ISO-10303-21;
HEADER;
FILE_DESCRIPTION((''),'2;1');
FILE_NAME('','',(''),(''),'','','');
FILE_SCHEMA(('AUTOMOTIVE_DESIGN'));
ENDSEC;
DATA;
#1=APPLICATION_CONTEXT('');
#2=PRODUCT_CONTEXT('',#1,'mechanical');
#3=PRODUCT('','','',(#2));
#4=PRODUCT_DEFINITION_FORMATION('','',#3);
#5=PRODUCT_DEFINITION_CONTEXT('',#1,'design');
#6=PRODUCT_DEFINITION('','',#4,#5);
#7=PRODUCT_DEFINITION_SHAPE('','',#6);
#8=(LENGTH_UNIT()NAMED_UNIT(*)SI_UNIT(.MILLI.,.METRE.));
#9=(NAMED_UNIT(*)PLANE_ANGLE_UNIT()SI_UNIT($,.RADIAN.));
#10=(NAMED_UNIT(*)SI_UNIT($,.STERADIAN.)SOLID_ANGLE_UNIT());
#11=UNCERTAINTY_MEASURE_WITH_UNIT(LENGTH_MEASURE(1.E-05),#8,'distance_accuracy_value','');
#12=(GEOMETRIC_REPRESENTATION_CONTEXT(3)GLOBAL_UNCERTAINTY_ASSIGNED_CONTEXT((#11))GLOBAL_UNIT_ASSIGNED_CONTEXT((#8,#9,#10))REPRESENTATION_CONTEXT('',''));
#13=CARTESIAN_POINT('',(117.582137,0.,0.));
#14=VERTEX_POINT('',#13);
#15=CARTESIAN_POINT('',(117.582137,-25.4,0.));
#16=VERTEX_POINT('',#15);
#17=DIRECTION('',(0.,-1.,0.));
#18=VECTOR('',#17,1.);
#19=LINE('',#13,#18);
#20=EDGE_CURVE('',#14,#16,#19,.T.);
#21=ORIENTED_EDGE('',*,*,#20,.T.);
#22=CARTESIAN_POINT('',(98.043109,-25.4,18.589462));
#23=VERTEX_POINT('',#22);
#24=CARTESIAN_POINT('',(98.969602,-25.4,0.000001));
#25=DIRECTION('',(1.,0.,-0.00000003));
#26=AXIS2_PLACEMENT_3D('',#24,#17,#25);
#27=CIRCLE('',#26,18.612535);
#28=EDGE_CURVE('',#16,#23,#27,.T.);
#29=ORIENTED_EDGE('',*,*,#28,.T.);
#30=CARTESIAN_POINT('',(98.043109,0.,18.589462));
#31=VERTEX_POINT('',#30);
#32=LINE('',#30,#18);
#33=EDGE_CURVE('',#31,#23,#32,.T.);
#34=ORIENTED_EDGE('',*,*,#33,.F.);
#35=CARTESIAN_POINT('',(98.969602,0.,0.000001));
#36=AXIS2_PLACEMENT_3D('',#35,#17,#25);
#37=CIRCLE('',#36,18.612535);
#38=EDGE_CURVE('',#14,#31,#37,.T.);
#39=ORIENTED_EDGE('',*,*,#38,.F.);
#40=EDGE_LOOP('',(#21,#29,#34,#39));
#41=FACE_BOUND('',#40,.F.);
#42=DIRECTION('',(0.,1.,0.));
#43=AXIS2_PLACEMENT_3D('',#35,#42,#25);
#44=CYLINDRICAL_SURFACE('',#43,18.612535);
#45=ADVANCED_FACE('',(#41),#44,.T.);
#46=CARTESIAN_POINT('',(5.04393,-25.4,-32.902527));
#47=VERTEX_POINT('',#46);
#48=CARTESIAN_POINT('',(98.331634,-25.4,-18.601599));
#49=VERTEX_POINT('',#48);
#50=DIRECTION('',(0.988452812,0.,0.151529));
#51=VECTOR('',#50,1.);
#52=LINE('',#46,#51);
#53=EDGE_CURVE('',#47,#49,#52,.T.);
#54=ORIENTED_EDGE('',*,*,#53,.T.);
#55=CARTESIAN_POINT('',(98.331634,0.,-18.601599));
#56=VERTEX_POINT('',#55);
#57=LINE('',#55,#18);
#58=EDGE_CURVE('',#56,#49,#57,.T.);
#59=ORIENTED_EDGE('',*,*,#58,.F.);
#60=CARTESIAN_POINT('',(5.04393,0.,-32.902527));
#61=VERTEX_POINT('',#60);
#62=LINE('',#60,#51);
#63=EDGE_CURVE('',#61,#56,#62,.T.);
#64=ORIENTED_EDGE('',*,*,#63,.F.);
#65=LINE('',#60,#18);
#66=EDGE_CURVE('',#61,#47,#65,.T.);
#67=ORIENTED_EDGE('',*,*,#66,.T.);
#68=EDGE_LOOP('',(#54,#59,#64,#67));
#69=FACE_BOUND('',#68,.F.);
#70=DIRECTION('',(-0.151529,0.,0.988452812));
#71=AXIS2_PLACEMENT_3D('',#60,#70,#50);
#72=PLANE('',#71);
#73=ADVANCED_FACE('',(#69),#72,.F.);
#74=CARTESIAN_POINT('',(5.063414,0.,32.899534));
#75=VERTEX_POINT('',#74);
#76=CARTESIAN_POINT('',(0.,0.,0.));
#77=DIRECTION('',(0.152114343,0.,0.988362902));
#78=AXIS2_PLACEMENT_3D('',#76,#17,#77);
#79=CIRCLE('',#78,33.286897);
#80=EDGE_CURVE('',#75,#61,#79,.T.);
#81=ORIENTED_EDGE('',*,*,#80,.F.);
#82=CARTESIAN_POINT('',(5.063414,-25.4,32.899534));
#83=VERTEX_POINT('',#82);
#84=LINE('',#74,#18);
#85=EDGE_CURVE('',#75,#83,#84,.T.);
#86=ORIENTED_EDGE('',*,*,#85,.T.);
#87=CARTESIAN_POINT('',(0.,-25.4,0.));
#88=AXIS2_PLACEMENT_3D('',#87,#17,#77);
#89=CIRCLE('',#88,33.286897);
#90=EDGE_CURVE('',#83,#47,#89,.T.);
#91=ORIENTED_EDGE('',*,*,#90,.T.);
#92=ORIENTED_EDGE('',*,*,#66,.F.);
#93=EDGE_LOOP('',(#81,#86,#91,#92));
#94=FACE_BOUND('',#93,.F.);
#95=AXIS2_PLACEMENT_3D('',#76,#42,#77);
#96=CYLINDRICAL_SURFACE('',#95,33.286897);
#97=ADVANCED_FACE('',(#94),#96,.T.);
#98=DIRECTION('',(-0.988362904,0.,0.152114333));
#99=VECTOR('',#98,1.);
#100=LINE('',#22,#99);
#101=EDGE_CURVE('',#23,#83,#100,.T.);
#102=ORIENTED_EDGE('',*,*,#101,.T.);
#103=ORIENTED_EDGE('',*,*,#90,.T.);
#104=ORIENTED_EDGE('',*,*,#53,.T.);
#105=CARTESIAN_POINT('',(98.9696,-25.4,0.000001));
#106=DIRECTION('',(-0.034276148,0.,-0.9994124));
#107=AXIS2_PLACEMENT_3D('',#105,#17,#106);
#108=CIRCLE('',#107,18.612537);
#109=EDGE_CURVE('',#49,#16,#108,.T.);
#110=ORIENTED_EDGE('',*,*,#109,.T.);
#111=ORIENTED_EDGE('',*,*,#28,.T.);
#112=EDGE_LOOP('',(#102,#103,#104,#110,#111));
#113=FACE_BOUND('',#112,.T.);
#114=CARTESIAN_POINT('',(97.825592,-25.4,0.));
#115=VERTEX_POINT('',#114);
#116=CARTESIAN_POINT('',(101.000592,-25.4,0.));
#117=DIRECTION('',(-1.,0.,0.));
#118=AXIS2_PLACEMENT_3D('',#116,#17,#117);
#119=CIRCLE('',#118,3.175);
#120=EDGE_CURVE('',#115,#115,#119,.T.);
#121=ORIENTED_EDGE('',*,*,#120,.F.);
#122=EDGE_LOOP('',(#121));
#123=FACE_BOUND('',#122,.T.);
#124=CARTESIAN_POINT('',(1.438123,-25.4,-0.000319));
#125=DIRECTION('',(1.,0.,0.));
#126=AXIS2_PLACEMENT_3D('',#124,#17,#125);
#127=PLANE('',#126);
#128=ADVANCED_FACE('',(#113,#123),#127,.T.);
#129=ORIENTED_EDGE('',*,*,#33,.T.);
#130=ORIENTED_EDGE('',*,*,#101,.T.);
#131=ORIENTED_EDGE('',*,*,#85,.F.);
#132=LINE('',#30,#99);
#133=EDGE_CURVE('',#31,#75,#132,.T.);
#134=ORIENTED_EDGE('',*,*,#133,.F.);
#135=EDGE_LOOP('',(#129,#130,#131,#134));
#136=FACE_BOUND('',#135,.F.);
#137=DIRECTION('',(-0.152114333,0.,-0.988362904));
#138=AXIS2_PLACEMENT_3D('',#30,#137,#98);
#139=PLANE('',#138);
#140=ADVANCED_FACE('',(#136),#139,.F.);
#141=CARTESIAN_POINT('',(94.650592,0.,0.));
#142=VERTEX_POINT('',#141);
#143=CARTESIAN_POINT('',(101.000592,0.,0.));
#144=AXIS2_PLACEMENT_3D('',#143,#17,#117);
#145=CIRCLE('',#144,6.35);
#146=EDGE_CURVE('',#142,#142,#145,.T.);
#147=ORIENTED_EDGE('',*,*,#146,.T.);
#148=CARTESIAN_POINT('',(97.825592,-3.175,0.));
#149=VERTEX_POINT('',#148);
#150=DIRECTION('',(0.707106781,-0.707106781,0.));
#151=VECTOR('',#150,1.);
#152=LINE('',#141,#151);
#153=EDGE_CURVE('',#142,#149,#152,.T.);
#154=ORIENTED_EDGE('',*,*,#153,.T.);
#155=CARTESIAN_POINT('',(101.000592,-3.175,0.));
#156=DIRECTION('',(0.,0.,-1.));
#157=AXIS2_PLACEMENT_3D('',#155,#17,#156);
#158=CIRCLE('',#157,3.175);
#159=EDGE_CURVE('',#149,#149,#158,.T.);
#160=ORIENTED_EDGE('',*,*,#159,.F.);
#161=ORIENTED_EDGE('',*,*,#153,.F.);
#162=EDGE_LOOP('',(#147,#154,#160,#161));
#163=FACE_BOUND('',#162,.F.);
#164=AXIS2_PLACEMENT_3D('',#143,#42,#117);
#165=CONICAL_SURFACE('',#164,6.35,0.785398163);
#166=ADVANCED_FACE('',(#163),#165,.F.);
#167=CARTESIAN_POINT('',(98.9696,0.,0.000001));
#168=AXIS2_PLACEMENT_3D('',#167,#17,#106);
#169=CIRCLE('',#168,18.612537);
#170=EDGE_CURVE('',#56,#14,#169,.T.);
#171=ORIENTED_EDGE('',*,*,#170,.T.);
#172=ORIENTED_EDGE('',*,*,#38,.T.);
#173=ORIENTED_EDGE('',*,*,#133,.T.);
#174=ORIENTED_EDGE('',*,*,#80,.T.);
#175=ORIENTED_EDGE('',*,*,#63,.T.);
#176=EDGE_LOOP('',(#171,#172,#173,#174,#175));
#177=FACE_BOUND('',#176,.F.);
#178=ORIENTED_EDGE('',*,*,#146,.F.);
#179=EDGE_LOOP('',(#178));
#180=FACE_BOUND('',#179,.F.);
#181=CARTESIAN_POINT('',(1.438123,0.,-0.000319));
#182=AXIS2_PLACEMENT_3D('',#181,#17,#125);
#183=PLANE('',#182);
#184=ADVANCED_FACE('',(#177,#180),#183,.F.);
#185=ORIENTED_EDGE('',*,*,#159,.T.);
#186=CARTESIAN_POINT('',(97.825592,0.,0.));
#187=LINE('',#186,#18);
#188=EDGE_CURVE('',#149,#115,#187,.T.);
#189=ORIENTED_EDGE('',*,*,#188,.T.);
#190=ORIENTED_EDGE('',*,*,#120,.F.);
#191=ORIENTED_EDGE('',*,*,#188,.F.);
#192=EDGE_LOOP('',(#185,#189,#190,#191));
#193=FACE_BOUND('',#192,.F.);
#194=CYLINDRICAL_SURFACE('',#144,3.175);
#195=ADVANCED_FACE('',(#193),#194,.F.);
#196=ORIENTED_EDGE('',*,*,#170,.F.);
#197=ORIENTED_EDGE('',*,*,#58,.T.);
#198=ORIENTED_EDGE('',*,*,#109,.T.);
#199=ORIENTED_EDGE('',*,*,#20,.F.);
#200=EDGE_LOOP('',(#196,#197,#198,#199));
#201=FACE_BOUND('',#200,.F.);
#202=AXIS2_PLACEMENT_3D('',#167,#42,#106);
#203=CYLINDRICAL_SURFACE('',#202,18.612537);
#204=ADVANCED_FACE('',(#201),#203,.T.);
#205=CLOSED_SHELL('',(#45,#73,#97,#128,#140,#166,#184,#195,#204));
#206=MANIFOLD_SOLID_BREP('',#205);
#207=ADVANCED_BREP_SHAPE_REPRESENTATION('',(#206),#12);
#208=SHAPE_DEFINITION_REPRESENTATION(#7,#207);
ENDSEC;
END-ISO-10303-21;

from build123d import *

# Parameters (mm, degrees)
F1_DEPTH       = 25.4
F3_D           = 6.35
F3_CSINK_D     = 12.7
F3_CSINK_ANGLE = 90


with BuildPart() as f1:
    # F0 (on Front) → F1 (new body)
    with BuildSketch(Plane.XZ):
        with BuildLine():
            ThreePointArc((5.04393, -32.902527), (25.257814, -21.680876), (33.286897, 0))
            ThreePointArc((33.286897, 0), (25.264232, 21.673396), (5.063414, 32.899534))
            ThreePointArc((5.063414, 32.899534), (-33.286896, 0.009856), (5.04393, -32.902527))
        make_face()
        with BuildLine():
            ThreePointArc((5.063414, 32.899534), (25.264232, 21.673396), (33.286897, 0))
            ThreePointArc((33.286897, 0), (25.257814, -21.680876), (5.04393, -32.902527))
            Line((5.04393, -32.902527), (98.331634, -18.601599))
            ThreePointArc((98.331634, -18.601599), (80.357625, -0.14439), (98.043109, 18.589462))
            Line((98.043109, 18.589462), (5.063414, 32.899534))
        make_face()
        with BuildLine():
            ThreePointArc((117.582137, 0), (111.798906, 13.484637), (98.043109, 18.589462))
            ThreePointArc((98.043109, 18.589462), (80.357625, -0.14439), (98.331634, -18.601599))
            ThreePointArc((98.331634, -18.601599), (111.903129, -13.384705), (117.582137, 0))
        make_face()
    extrude(amount=F1_DEPTH)

    # F3 (through all)
    with Locations(Plane(origin=(0, 0, 0), x_dir=(1, 0, 0), z_dir=(0, 1, 0))):
        with Locations((101.000592, 0)):
            CounterSinkHole(F3_D / 2, F3_CSINK_D / 2, counter_sink_angle=F3_CSINK_ANGLE)


solid = f1.part
